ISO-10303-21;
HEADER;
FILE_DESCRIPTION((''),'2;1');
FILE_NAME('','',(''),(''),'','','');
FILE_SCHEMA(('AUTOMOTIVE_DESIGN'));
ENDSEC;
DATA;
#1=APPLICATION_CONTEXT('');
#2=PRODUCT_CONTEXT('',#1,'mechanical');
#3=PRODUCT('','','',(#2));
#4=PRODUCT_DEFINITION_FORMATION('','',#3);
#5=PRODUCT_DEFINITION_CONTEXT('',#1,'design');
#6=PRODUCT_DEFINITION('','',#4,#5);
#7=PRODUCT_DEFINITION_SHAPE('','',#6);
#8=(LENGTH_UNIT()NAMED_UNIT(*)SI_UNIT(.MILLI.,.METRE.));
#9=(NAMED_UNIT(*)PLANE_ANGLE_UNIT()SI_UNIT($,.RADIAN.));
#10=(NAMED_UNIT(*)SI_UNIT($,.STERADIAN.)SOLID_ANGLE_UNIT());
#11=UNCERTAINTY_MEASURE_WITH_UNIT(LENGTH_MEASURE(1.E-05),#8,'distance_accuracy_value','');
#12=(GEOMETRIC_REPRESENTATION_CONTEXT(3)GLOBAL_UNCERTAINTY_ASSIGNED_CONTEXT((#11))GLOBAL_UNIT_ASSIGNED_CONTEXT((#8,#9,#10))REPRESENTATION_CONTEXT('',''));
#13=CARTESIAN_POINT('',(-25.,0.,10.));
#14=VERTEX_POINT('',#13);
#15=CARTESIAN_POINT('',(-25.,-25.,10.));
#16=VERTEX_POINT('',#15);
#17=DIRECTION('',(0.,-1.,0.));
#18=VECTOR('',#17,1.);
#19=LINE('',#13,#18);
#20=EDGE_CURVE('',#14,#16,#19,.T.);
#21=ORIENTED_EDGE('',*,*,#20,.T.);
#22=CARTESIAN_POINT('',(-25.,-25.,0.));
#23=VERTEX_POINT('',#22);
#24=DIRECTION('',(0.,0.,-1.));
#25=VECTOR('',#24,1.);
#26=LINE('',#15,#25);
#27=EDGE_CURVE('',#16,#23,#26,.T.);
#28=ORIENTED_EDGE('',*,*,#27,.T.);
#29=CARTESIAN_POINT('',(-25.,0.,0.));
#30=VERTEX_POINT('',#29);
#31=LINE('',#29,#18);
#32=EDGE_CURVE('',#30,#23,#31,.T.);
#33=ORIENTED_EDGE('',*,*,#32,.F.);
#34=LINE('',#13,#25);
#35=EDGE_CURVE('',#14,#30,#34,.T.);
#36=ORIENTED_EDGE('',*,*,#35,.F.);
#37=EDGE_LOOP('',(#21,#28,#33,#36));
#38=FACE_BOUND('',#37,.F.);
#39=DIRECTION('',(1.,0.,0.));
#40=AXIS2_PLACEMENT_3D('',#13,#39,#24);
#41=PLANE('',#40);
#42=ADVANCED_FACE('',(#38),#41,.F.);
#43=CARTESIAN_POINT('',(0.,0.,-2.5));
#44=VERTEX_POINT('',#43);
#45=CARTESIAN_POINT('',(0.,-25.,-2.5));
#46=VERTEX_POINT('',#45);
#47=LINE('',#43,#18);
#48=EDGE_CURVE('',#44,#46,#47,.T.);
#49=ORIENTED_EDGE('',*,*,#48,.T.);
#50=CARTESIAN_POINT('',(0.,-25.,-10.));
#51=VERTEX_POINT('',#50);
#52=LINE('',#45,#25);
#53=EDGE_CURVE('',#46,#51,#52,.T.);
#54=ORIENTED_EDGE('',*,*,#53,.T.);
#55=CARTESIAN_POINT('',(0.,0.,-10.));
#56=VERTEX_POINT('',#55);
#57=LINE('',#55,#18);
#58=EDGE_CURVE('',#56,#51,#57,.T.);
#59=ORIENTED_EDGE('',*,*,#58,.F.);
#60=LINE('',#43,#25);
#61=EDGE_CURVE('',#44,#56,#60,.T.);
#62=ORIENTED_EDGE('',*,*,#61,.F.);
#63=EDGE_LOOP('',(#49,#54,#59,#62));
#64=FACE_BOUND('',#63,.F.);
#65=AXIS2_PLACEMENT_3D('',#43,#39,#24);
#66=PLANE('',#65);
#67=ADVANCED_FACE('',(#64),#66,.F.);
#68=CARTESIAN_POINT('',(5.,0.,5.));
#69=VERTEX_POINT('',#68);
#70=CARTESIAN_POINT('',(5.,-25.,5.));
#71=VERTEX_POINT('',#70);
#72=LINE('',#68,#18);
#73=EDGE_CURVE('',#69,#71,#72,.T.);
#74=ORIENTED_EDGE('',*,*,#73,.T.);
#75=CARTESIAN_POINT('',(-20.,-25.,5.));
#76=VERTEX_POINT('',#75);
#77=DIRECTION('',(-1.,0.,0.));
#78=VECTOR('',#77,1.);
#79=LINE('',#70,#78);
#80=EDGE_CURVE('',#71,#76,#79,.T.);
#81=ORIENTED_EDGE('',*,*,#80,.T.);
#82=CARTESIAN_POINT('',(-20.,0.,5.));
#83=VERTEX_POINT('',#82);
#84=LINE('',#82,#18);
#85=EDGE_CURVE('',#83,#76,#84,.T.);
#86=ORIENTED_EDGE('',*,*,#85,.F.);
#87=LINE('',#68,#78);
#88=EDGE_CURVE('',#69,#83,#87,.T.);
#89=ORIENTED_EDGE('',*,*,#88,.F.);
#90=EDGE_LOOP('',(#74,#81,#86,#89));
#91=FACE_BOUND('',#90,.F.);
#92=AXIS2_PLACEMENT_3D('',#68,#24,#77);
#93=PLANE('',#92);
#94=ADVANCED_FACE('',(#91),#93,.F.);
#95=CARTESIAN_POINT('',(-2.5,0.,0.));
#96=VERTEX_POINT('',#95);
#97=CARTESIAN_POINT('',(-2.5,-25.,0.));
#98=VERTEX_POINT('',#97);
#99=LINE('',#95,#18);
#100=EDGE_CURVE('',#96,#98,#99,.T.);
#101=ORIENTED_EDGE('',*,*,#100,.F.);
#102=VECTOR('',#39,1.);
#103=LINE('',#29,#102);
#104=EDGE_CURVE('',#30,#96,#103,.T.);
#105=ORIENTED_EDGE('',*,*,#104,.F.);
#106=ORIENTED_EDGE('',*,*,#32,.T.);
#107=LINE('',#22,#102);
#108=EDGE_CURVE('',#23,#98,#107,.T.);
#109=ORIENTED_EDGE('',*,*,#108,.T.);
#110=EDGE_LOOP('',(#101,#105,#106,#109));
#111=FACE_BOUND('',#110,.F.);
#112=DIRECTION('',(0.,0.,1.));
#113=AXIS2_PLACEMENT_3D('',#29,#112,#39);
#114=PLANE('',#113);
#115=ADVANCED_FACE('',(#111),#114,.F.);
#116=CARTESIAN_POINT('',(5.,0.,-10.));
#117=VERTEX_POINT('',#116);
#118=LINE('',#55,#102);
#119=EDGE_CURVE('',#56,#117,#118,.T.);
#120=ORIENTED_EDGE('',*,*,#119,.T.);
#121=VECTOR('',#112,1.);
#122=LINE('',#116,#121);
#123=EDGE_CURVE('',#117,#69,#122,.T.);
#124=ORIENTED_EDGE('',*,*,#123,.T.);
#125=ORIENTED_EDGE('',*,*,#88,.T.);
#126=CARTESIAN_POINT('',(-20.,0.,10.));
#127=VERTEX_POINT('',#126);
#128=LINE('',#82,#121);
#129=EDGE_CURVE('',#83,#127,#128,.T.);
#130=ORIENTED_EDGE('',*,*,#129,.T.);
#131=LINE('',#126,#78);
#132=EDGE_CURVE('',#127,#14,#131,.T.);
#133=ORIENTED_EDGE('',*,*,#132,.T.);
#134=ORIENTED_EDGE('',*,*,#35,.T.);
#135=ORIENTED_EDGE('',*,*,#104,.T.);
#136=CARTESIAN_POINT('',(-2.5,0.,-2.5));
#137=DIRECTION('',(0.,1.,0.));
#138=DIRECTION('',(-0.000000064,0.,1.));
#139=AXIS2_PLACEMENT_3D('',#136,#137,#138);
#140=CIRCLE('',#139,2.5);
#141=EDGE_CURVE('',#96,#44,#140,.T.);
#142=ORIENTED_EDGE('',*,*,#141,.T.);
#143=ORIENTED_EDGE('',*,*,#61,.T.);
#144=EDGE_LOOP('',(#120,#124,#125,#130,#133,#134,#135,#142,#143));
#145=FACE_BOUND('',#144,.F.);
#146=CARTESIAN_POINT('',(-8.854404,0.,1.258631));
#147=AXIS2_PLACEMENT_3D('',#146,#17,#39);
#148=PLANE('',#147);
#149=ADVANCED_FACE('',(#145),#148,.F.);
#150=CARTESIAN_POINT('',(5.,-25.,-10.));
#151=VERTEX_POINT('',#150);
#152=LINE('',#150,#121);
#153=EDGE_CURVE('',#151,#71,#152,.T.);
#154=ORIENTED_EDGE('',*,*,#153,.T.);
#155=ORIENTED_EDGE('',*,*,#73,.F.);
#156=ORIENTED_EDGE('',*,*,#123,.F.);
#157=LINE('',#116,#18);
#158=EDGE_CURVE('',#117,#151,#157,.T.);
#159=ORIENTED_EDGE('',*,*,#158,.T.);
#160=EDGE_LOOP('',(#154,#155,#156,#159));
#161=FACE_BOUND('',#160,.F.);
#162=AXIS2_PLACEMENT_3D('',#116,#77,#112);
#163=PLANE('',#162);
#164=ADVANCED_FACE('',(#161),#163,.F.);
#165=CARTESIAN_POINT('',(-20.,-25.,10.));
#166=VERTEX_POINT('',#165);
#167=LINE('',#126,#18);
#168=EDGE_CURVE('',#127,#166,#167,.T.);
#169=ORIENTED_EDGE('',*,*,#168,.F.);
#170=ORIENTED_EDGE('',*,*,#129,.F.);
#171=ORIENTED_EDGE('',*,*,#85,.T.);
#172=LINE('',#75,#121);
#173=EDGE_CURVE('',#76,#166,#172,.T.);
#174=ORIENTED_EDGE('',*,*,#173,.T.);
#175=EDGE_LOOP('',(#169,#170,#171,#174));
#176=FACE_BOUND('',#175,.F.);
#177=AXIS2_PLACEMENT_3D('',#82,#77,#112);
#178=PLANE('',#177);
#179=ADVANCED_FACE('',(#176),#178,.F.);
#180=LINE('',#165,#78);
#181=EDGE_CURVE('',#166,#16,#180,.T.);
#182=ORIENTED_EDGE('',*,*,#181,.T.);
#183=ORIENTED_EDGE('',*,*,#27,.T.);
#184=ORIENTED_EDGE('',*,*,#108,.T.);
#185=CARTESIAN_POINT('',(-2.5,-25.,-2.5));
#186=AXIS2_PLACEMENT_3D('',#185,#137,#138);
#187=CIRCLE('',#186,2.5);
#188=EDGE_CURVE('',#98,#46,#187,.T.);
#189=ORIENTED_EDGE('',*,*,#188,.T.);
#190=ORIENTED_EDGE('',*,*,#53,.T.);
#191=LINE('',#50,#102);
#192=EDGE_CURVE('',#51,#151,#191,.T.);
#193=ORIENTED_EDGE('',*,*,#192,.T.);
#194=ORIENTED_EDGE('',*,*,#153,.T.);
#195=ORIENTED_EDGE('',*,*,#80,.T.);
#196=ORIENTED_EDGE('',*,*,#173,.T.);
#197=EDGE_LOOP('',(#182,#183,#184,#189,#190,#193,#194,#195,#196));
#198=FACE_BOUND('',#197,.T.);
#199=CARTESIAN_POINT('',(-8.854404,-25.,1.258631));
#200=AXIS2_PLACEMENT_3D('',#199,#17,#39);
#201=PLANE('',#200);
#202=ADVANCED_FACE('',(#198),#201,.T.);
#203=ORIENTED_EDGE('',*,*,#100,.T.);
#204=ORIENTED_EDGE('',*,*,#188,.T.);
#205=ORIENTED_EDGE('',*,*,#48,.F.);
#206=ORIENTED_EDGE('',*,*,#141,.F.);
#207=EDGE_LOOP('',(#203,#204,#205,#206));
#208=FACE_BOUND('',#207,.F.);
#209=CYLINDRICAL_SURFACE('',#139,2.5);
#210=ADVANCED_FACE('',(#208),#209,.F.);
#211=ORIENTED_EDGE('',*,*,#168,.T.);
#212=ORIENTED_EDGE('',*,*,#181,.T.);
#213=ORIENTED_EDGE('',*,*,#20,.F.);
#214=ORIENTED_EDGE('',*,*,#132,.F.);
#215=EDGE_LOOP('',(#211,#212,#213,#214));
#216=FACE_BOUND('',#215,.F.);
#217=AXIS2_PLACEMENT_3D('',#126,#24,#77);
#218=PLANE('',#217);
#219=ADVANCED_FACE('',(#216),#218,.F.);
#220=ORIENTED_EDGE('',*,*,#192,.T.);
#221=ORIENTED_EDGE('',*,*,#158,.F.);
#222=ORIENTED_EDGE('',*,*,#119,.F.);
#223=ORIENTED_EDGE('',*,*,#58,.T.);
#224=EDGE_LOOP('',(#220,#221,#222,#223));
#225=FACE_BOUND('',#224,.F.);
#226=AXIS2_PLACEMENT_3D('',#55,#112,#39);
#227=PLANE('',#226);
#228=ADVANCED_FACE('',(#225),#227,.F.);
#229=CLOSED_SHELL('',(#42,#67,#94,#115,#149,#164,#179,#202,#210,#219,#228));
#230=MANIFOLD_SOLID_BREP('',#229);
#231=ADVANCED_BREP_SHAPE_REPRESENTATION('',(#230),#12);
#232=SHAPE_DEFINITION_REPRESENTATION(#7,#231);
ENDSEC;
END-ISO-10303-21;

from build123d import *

# Parameters (mm, degrees)
F1_DEPTH = 25


with BuildPart() as f1:
    # F0 (on Front) → F1 (new body)
    with BuildSketch(Plane.XZ):
        with BuildLine():
            Line((-2.626851, 0), (-2.5, 0))
            ThreePointArc((-2.5, 0), (-0.732233, -0.732233), (0, -2.5))
            Line((0, -2.5), (0, -10))
            Line((0, -10), (5, -10))
            Line((5, -10), (5, 5))
            Line((5, 5), (-20, 5))
            Line((-20, 5), (-20, 10))
            Line((-20, 10), (-25, 10))
            Line((-25, 10), (-25, 0))
            Line((-25, 0), (-2.626851, 0))
        make_face()
    extrude(amount=F1_DEPTH)


solid = f1.part
